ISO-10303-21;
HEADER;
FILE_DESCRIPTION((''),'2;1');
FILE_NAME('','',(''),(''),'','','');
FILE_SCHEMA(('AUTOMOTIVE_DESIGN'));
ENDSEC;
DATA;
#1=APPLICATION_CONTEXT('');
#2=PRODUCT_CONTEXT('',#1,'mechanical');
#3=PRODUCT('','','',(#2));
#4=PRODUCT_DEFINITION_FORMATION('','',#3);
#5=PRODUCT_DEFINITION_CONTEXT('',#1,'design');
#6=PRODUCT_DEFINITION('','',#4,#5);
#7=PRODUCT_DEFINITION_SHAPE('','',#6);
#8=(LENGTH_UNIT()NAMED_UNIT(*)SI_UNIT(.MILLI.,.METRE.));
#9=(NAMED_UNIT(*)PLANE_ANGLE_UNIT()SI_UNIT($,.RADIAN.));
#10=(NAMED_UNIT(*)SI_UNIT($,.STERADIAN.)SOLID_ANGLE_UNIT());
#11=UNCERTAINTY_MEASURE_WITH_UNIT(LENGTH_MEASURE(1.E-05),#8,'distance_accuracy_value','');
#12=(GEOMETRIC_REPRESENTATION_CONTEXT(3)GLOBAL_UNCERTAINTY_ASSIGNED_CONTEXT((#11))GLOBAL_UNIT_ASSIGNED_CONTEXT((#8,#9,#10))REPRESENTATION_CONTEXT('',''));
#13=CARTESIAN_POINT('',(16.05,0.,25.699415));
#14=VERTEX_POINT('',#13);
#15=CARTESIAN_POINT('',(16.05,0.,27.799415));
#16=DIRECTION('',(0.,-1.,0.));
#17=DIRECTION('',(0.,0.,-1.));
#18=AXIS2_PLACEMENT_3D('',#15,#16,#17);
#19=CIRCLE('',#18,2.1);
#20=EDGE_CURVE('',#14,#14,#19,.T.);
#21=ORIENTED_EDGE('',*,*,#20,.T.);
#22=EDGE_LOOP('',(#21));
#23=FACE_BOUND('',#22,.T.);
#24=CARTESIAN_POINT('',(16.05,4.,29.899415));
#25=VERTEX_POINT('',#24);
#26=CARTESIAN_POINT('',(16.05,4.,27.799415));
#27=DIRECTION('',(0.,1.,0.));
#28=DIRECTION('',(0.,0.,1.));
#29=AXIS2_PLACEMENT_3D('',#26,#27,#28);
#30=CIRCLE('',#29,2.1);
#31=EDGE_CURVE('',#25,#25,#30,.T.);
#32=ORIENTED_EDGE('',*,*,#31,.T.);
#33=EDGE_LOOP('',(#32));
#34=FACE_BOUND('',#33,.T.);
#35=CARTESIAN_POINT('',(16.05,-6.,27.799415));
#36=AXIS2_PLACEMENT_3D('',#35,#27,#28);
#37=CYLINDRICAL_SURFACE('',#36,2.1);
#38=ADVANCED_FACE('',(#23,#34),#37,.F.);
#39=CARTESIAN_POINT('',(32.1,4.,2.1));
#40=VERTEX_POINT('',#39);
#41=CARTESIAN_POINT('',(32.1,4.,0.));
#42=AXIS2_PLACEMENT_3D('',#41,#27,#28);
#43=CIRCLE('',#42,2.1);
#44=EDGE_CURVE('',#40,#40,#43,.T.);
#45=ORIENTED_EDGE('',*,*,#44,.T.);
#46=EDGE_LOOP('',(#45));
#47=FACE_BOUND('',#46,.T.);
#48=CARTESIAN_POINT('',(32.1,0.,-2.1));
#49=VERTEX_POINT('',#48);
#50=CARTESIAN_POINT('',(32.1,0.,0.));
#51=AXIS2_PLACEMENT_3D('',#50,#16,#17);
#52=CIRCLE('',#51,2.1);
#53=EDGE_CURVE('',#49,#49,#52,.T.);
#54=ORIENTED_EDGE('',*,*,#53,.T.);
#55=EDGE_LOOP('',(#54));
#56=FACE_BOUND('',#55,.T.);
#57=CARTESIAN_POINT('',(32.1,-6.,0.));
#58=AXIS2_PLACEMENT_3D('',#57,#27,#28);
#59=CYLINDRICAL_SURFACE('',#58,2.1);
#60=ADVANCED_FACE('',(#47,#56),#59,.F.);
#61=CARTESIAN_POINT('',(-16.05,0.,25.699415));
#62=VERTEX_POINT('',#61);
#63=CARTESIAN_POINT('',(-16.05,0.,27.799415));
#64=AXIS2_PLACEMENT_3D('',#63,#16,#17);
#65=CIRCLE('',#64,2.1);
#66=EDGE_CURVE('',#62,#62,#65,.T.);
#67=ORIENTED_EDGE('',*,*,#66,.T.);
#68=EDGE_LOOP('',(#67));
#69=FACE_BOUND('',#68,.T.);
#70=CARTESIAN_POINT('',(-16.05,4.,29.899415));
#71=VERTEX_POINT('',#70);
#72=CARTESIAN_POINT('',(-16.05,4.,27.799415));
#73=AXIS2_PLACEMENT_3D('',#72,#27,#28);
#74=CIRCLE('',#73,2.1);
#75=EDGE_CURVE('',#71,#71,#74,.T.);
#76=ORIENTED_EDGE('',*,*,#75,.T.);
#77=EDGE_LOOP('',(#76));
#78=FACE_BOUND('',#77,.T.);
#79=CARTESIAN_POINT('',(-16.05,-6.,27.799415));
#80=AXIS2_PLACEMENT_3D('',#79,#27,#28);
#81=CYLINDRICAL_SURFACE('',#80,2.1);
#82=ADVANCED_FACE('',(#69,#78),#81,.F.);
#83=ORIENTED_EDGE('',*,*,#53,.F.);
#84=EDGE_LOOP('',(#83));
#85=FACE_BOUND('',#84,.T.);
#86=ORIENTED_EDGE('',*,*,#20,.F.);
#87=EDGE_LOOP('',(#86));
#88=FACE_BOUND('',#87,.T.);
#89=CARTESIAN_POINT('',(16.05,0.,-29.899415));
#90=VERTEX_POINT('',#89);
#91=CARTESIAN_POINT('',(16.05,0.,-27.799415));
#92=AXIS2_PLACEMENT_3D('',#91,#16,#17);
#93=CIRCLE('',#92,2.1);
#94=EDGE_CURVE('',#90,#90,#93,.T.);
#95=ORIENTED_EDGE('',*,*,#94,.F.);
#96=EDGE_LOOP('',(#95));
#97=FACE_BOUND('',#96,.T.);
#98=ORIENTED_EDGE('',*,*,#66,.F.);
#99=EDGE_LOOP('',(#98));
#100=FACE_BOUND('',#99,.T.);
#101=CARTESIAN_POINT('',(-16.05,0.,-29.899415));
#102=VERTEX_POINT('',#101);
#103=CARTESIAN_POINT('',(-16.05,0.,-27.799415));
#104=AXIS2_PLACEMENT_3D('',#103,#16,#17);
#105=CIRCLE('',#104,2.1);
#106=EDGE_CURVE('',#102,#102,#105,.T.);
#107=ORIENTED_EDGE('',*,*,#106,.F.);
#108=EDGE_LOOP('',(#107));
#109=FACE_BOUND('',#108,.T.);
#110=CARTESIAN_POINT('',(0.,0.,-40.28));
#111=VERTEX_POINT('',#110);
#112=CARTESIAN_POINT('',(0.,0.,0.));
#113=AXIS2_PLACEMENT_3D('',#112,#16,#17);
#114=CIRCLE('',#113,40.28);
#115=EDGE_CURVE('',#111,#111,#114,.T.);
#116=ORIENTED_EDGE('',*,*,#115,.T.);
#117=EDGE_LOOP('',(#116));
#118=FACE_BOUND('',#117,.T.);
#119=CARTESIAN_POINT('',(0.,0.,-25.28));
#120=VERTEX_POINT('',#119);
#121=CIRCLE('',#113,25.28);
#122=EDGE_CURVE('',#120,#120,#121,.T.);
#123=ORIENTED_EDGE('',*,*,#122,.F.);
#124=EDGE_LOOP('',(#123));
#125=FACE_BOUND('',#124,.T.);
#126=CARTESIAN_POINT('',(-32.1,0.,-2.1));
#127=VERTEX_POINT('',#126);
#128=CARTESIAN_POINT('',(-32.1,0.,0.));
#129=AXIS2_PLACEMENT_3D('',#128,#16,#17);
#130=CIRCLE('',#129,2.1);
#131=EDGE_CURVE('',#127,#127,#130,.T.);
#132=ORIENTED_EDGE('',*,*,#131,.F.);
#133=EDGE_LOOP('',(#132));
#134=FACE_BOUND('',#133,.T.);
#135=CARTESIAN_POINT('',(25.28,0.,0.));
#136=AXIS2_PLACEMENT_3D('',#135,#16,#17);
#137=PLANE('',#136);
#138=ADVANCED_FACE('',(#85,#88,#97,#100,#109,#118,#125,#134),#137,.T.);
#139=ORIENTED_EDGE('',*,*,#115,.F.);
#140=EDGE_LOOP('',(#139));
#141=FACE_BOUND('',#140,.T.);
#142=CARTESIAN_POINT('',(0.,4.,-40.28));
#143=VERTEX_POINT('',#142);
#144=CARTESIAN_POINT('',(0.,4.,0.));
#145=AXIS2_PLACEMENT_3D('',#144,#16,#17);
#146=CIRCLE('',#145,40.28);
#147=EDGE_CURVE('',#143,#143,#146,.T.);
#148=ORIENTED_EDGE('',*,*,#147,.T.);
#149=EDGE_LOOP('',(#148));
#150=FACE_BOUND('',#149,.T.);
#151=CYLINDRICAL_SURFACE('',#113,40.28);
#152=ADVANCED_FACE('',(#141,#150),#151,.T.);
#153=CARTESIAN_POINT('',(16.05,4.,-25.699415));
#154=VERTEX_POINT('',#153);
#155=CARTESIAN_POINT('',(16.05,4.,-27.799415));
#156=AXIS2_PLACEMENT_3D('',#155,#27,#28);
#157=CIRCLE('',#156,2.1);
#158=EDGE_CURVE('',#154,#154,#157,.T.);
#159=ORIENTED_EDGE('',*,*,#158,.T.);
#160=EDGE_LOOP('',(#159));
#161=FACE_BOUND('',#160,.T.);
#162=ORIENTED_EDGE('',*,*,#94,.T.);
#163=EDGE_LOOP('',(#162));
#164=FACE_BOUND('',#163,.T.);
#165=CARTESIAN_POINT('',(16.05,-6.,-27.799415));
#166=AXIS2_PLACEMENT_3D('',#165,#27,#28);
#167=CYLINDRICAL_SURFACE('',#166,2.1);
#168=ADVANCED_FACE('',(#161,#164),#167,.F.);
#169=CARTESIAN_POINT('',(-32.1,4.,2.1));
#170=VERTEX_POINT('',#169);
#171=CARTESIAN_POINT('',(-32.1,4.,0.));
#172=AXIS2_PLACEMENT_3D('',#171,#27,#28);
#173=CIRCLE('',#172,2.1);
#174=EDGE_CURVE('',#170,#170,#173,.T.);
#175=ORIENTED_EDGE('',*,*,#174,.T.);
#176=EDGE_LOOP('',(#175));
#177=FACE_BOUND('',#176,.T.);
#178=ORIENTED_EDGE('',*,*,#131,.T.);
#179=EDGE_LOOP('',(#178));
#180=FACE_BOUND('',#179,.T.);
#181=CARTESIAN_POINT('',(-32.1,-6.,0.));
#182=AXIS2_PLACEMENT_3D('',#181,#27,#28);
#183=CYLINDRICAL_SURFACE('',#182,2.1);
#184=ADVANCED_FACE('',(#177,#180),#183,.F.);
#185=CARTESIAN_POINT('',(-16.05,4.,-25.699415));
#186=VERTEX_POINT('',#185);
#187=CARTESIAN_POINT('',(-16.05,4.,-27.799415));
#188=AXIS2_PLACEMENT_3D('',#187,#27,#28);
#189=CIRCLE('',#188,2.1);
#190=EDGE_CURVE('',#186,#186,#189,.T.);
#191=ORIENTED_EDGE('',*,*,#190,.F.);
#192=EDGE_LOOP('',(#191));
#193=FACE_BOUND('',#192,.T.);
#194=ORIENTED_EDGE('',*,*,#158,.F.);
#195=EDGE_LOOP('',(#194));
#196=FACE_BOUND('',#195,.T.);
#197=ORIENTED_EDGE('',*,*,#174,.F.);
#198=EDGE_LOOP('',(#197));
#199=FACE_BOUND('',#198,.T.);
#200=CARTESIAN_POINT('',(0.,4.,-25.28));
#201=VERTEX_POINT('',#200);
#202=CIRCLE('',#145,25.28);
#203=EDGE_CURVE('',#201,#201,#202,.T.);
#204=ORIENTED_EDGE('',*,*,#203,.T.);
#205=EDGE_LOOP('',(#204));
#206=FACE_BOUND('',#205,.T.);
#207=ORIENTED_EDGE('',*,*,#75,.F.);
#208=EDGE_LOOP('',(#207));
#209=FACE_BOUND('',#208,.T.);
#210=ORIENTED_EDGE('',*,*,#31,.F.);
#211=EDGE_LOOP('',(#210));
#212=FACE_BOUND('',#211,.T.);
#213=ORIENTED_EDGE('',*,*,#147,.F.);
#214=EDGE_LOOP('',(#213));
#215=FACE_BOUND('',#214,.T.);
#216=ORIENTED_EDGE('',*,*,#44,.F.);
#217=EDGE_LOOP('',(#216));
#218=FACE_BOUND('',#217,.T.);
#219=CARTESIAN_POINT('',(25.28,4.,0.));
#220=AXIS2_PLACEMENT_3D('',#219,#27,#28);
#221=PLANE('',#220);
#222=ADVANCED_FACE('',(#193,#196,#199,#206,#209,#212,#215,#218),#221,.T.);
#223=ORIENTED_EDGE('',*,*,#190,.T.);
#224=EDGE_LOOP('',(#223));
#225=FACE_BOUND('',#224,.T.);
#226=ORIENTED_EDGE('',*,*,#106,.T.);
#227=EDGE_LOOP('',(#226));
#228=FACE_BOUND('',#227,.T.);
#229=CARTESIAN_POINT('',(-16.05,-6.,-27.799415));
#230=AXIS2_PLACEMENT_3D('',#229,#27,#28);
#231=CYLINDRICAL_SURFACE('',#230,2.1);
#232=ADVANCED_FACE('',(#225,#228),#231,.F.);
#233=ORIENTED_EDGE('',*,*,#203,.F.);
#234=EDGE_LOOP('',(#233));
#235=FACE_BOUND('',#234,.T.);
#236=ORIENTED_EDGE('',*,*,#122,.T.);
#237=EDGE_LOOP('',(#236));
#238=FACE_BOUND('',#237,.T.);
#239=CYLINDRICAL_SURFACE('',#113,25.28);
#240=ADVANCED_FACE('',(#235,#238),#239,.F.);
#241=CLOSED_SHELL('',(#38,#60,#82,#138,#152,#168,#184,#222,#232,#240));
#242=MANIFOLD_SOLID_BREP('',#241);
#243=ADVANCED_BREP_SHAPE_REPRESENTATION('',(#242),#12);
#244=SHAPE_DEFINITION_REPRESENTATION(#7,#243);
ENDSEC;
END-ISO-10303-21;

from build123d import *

# Parameters (mm, degrees)
SKETCH_1_W          = 15
SKETCH_1_H          = 4
SKETCH_2_R          = 2.1
CUT_EXTRUDE_1_DEPTH = 10


with BuildPart() as part:
    # 草图1 → 旋转1 (revolve)
    with BuildSketch(Plane.XY, mode=Mode.PRIVATE) as revolve_1_sk:
        with Locations((32.78, 2)):
            Rectangle(SKETCH_1_W, SKETCH_1_H)
    revolve(revolve_1_sk.sketch.rotate(Axis((0, 0, 0), (0, 1, 0)), 90), axis=Axis((0, 0, 0), (0, 1, 0)))

    # 草图2 → 切除-拉伸1 (cut)
    with BuildSketch(Plane(origin=(0, 4, 0), x_dir=(1, 0, 0), z_dir=(0, 1, 0))):
        with Locations(Location((-32.1, 0, 0), (0, 0, 270))):
            Circle(SKETCH_2_R)
        with Locations(Location((-16.05, 27.799415461, 0), (0, 0, 270))):
            Circle(SKETCH_2_R)
        with Locations(Location((16.05, 27.799415461, 0), (0, 0, 270))):
            Circle(SKETCH_2_R)
        with Locations(Location((32.1, 0, 0), (0, 0, 270))):
            Circle(SKETCH_2_R)
        with Locations(Location((16.05, -27.799415461, 0), (0, 0, 270))):
            Circle(SKETCH_2_R)
        with Locations(Location((-16.05, -27.799415461, 0), (0, 0, 270))):
            Circle(SKETCH_2_R)
    extrude(amount=-CUT_EXTRUDE_1_DEPTH, mode=Mode.SUBTRACT)


solid = part.part
